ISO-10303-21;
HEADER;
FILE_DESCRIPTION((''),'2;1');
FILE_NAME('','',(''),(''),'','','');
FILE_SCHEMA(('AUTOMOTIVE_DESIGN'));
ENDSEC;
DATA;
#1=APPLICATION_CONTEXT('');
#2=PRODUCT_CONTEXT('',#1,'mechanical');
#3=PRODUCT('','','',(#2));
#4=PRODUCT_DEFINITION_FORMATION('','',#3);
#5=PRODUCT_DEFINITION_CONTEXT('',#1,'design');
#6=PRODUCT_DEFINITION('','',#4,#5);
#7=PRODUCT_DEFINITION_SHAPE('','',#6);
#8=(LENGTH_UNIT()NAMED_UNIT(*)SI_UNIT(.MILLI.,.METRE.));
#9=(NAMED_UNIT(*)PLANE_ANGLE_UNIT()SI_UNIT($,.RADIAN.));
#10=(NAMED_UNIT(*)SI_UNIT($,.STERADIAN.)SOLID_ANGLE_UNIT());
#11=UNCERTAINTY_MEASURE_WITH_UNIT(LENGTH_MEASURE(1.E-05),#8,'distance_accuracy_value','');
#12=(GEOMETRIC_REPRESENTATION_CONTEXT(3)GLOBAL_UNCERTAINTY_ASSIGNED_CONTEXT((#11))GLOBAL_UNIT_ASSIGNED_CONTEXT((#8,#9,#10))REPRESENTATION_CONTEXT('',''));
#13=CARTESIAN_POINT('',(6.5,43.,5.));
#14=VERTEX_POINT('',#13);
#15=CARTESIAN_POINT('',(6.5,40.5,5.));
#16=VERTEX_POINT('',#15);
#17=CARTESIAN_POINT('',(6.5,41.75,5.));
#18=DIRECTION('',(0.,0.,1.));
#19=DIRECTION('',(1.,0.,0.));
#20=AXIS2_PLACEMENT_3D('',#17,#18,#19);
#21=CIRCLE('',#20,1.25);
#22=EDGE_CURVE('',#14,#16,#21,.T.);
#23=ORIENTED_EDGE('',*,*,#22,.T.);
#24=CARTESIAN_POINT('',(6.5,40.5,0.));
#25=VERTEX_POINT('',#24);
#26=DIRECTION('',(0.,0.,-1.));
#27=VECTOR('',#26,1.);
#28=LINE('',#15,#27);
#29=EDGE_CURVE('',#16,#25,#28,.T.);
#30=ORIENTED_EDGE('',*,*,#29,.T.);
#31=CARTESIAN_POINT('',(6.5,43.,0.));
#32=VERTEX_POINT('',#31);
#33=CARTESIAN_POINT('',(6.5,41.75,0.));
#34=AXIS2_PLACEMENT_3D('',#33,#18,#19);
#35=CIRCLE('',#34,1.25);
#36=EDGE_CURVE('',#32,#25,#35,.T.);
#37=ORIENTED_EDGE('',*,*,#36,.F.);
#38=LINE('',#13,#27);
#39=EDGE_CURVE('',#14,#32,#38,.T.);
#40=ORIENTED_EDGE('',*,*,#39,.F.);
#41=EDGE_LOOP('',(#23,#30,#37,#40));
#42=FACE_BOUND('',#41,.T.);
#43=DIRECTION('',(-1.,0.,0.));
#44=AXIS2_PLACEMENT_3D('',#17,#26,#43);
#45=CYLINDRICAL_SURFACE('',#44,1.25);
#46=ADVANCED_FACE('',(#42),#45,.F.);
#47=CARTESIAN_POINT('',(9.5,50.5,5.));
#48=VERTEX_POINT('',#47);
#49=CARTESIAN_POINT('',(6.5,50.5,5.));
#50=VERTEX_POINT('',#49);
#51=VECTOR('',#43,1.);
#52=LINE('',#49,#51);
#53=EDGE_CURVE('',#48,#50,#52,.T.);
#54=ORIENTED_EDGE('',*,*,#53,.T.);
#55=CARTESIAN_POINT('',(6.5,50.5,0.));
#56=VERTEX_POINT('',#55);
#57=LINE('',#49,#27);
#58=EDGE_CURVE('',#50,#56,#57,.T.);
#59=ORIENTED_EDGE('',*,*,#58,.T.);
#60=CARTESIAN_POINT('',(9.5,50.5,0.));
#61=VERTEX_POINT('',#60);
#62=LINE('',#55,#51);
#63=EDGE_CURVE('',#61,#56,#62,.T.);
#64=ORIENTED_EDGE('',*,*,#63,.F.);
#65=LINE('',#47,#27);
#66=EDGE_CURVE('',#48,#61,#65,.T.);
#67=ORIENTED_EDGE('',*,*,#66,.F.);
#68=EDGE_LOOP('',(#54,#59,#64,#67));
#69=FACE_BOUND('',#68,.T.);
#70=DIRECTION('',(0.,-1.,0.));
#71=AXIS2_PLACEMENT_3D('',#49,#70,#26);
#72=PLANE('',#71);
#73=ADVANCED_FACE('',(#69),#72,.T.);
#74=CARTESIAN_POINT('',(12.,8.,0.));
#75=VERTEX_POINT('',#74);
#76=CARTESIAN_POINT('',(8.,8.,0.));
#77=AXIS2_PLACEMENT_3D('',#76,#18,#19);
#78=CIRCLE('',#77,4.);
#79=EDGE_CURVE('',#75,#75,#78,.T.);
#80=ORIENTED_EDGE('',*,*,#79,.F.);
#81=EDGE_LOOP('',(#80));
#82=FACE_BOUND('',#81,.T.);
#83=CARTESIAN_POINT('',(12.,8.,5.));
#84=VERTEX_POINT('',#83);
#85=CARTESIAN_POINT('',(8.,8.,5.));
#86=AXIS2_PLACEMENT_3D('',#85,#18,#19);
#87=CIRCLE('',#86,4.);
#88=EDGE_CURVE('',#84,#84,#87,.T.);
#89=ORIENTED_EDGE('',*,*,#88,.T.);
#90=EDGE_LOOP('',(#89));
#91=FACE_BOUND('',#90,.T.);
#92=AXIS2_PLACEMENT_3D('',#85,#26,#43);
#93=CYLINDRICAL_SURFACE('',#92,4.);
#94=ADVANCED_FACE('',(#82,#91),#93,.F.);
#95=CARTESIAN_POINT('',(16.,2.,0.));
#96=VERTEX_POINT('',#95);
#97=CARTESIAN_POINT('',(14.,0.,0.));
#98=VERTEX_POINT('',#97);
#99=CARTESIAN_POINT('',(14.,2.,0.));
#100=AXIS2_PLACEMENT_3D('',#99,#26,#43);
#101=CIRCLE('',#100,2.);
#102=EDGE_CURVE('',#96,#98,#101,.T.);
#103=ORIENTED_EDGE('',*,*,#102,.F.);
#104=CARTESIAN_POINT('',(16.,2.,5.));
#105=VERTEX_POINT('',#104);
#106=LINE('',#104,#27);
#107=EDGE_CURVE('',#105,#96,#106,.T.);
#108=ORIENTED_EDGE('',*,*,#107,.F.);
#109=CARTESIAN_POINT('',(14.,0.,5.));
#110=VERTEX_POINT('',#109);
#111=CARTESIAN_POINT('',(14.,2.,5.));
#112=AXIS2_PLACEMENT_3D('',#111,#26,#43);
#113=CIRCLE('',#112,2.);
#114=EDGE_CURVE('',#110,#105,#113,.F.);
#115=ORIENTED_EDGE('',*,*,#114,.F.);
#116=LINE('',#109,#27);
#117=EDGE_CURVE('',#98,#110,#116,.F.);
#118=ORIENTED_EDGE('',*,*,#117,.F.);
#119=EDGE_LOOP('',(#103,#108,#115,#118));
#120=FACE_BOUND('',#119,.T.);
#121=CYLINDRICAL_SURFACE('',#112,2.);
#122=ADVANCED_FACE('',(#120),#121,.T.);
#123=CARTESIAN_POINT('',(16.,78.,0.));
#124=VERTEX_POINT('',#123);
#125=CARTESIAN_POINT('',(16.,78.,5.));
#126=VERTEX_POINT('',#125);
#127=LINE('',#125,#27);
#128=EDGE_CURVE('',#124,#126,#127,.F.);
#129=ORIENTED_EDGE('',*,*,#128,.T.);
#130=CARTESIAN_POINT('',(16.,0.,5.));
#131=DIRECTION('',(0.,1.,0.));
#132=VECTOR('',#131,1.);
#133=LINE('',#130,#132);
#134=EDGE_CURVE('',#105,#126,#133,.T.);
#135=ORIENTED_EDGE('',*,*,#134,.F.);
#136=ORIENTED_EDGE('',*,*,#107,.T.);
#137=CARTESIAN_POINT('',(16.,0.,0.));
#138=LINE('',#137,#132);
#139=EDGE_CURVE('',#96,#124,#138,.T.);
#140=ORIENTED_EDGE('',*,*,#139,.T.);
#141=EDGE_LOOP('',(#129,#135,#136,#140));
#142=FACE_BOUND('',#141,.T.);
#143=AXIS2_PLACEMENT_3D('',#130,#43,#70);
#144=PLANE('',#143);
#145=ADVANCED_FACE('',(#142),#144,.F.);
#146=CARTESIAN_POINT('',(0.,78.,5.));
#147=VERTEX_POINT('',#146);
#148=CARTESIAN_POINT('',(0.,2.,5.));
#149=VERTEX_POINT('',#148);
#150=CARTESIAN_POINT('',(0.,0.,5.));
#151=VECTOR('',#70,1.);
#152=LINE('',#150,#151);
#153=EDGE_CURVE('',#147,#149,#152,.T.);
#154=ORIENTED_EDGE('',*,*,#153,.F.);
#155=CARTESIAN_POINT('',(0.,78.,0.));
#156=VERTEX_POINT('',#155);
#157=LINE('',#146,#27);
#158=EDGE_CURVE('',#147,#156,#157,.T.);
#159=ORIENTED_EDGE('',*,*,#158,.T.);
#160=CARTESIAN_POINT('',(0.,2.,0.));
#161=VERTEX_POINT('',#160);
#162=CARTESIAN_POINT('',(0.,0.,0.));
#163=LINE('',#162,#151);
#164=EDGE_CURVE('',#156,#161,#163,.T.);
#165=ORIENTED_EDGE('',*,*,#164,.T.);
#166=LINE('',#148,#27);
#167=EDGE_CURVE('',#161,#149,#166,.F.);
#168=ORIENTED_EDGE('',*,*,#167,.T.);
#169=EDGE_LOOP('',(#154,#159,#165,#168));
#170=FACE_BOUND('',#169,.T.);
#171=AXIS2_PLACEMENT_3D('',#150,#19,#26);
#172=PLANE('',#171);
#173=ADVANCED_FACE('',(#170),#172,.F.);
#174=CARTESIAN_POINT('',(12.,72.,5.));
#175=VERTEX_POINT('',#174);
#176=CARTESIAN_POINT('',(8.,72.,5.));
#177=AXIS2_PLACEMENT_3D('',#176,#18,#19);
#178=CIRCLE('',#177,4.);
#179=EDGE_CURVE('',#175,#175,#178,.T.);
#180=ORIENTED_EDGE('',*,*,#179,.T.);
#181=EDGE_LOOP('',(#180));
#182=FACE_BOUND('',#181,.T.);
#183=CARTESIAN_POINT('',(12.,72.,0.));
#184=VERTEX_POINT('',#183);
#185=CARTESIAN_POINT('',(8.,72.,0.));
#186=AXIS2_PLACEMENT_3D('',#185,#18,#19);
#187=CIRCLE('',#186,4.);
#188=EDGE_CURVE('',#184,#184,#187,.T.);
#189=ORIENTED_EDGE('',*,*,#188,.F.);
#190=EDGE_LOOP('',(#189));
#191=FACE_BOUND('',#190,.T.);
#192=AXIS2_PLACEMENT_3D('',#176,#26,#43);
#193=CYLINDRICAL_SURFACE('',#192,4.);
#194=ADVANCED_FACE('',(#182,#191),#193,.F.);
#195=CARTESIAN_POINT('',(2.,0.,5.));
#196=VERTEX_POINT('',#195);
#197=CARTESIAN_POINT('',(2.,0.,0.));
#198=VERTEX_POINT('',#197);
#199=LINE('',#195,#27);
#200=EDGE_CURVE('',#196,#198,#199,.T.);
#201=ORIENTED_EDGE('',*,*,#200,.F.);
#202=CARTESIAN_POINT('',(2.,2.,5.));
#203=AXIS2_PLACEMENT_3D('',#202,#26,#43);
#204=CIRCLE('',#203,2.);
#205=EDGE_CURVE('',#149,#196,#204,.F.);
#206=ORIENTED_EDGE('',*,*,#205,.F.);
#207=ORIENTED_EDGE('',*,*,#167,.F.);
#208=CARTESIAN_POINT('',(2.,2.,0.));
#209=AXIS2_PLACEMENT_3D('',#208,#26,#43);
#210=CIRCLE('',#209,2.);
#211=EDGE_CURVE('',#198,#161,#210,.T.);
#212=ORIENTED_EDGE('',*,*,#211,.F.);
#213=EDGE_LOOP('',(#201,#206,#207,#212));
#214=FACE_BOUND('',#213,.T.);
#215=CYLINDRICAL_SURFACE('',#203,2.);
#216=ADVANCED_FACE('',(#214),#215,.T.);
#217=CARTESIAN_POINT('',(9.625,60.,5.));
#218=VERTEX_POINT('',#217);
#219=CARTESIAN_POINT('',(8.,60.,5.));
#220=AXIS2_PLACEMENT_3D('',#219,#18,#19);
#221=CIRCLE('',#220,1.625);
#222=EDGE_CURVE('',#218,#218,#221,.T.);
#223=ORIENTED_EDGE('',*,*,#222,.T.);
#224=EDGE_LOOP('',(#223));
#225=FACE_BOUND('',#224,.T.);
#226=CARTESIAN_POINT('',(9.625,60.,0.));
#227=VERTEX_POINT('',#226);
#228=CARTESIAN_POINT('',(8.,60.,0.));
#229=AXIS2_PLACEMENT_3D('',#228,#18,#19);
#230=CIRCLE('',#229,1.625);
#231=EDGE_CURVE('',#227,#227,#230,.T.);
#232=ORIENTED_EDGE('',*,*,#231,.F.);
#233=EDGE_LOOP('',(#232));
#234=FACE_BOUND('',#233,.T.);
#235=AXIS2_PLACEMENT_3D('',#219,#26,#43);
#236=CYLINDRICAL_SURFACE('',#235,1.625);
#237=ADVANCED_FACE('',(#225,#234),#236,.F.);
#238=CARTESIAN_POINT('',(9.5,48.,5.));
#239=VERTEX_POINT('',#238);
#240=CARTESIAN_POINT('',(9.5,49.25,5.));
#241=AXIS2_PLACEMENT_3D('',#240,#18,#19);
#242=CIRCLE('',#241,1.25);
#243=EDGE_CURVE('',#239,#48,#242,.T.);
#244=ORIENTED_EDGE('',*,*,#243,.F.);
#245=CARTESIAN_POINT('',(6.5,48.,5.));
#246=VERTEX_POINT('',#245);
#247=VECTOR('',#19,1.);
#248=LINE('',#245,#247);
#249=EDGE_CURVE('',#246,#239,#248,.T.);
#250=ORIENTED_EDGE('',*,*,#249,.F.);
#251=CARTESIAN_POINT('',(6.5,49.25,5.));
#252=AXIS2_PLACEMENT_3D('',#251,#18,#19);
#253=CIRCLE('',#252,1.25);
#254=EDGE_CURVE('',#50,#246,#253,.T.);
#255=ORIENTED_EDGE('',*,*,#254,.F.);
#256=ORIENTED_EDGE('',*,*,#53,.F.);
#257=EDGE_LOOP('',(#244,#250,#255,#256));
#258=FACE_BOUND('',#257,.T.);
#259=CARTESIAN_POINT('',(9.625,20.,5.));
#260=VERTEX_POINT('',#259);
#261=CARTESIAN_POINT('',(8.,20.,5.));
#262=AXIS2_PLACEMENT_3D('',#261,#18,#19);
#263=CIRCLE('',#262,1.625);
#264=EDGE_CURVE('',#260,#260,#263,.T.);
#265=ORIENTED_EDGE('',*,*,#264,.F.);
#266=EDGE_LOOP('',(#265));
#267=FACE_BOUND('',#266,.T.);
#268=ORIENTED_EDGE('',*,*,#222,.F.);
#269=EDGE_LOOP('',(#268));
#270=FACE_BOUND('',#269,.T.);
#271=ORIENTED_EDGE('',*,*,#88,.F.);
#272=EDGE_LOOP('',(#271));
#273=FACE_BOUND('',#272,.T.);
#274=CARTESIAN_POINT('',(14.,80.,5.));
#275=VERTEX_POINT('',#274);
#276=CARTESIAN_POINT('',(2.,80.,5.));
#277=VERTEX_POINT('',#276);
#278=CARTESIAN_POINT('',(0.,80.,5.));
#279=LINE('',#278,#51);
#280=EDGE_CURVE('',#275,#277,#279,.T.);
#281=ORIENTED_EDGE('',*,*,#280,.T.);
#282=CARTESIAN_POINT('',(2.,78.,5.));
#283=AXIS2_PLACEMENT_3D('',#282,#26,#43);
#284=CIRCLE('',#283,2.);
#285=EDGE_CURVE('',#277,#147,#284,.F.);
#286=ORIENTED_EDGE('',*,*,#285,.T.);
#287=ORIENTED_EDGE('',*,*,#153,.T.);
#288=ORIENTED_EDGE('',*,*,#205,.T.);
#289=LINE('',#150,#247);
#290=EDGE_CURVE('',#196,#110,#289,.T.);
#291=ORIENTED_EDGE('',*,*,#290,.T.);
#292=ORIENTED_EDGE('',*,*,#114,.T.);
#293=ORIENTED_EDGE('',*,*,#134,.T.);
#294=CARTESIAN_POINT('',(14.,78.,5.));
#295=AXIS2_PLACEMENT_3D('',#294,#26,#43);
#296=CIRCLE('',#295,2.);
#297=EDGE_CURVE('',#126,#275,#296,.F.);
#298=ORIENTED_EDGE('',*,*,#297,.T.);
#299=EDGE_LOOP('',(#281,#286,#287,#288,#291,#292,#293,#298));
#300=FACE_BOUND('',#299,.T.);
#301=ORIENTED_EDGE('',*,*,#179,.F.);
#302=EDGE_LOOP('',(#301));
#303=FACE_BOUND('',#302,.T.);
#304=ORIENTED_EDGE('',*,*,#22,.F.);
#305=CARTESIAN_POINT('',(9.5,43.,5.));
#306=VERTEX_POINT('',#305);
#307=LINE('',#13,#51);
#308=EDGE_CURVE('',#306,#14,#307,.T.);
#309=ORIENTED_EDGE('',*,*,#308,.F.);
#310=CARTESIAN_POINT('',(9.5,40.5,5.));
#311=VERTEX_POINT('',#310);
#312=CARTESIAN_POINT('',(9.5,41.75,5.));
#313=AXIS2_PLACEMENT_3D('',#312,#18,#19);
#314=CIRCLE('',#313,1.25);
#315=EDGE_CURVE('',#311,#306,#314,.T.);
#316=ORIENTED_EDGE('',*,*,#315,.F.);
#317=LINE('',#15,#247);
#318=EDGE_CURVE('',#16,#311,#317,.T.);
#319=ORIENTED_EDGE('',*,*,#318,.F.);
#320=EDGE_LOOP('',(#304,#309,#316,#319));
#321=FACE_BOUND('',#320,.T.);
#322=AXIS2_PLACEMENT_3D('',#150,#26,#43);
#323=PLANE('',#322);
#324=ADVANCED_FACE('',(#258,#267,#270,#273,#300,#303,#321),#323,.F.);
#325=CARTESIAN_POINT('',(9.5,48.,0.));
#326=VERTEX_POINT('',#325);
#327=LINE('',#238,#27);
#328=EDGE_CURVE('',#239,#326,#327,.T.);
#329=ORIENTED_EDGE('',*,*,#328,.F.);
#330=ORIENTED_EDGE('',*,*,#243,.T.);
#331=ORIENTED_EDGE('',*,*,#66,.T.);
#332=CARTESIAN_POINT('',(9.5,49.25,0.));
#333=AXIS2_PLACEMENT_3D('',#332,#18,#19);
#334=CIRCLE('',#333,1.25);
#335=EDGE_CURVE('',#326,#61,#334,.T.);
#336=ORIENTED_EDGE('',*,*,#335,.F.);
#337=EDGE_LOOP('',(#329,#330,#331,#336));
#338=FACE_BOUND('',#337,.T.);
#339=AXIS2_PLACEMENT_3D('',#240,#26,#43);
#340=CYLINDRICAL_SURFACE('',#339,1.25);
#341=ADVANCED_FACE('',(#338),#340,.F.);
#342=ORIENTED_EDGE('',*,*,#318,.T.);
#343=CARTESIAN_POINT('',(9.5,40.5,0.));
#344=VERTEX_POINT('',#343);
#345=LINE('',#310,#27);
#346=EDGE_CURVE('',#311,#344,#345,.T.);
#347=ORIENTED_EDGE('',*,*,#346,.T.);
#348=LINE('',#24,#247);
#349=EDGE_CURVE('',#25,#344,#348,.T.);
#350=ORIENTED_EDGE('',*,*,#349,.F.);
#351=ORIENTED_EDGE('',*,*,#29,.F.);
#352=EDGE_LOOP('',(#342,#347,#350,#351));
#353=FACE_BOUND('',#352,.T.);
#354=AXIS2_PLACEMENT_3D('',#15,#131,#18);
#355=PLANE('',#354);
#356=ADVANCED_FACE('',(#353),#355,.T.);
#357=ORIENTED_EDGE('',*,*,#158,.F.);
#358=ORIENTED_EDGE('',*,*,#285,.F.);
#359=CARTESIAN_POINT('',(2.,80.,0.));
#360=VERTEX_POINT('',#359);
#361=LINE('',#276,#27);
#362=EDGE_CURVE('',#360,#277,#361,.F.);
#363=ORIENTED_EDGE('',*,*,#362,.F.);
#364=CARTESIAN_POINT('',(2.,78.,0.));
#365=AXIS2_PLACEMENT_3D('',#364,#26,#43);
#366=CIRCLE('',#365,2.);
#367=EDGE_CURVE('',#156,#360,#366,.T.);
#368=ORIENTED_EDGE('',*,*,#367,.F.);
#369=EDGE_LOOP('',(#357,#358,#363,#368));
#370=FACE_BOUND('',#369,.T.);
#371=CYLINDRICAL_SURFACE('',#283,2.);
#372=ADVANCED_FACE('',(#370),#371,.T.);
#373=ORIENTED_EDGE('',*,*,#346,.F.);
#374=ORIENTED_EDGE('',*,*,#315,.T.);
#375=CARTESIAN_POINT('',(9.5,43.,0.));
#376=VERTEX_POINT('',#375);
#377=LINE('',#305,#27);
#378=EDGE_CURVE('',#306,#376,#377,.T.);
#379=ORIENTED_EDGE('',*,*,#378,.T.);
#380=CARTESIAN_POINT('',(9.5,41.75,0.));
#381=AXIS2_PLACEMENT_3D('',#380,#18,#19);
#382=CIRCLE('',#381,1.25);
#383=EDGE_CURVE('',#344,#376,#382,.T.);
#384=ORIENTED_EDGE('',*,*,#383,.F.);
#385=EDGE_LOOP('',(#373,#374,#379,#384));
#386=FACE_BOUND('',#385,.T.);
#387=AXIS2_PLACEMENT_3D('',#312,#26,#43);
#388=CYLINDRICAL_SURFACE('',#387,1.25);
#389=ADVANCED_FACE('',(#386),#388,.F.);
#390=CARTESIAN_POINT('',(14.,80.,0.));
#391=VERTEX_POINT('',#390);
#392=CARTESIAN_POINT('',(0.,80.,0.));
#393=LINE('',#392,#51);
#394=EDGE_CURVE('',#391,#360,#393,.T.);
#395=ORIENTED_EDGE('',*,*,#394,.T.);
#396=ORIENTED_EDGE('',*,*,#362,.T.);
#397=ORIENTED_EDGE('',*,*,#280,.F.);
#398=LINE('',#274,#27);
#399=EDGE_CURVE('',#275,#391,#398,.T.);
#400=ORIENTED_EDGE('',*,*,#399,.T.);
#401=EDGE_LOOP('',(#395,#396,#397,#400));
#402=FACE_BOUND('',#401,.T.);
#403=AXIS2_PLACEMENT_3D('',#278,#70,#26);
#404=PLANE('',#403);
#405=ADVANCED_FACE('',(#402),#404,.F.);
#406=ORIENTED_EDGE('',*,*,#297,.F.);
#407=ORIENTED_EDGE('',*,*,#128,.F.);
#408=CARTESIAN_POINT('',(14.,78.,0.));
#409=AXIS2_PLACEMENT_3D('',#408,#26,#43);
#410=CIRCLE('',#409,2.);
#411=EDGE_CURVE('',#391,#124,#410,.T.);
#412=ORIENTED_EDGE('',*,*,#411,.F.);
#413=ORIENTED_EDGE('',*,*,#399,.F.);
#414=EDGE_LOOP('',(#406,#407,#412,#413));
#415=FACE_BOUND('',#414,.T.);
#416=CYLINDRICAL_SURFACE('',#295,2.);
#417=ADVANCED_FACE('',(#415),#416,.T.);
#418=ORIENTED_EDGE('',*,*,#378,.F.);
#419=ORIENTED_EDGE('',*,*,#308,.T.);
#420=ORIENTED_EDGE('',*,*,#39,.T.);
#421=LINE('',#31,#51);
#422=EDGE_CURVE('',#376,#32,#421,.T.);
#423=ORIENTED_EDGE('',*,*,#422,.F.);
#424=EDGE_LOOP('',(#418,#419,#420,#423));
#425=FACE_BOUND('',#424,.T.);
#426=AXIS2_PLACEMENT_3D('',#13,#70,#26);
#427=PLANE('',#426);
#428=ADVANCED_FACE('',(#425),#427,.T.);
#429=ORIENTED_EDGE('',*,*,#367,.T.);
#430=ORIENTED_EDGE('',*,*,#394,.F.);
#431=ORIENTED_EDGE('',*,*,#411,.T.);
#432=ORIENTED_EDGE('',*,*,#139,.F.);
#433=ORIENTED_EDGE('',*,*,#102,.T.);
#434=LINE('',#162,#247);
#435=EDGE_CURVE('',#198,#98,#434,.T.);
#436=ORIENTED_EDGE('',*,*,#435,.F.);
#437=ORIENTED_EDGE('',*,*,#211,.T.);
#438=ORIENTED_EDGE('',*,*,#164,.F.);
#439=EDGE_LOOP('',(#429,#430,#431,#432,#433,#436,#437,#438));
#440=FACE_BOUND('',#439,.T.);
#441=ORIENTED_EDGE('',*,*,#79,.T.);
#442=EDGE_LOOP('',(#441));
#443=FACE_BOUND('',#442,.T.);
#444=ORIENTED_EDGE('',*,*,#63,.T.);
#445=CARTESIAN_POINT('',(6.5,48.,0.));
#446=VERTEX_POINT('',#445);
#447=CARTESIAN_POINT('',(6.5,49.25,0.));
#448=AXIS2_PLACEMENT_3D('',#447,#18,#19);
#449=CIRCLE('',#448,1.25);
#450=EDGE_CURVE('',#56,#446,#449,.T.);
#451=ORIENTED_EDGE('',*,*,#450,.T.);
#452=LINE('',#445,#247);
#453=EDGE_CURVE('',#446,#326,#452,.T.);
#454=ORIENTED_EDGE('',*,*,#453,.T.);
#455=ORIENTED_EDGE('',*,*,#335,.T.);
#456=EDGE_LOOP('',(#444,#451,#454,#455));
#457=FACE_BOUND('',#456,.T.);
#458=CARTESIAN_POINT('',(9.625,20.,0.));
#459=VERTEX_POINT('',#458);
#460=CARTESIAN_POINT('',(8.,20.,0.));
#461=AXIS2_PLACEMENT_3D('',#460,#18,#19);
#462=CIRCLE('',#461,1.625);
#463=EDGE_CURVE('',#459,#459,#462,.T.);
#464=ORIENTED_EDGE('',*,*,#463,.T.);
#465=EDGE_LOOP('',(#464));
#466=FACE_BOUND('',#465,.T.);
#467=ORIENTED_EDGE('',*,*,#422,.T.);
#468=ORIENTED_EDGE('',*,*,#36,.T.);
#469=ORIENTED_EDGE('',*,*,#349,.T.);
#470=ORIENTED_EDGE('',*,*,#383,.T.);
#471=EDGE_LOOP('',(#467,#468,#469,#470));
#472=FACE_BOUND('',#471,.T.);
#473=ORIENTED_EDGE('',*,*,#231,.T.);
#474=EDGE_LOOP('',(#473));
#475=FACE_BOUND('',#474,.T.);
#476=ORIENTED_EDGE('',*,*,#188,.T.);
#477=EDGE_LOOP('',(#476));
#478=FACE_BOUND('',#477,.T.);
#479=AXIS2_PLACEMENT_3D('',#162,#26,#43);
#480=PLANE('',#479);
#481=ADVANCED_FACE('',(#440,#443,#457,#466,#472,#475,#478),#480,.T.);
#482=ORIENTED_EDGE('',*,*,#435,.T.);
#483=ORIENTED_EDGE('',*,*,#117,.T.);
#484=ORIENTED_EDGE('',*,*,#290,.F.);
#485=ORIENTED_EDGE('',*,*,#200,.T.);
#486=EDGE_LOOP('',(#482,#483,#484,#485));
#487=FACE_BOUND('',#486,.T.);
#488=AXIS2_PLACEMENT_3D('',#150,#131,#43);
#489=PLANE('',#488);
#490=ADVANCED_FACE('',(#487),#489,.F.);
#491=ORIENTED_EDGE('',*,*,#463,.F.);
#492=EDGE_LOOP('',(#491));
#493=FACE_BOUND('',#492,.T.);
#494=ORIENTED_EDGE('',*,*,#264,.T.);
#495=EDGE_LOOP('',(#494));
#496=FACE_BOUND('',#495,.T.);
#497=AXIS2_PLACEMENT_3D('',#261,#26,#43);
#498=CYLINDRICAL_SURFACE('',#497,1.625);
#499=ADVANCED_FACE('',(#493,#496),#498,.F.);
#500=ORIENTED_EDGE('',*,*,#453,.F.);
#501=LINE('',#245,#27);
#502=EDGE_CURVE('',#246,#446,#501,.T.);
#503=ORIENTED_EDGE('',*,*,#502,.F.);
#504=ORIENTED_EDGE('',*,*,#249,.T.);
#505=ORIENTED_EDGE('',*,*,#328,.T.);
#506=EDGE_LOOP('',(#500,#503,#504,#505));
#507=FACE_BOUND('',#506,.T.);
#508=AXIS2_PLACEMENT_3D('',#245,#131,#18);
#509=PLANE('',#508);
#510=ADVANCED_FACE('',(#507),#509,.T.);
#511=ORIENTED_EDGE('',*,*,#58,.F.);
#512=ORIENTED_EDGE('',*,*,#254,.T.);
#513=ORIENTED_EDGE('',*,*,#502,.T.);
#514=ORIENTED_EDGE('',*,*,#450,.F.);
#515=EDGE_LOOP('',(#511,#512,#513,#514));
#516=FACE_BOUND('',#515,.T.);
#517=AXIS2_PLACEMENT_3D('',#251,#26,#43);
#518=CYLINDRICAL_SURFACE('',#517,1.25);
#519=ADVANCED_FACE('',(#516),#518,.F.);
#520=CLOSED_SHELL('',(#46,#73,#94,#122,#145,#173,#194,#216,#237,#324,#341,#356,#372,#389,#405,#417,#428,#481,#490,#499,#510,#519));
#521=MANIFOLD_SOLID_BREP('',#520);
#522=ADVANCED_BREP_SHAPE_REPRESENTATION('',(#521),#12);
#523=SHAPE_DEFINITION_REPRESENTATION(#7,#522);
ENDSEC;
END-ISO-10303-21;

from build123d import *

# Parameters (mm, degrees)
SKETCH1_W           = 16
SKETCH1_H           = 80
SKETCH1_R           = 4
SKETCH1_R_2         = 1.625
BOSS_EXTRUDE1_DEPTH = 5
FILLET1_R           = 2


with BuildPart() as part:
    # Sketch1 → Boss-Extrude1 (new body)
    with BuildSketch(Plane.XY):
        with Locations((8, 40)):
            Rectangle(SKETCH1_W, SKETCH1_H)
        with Locations((8, 72)):
            Circle(SKETCH1_R, mode=Mode.SUBTRACT)
        with Locations((8, 8)):
            Circle(SKETCH1_R, mode=Mode.SUBTRACT)
        with Locations((8, 20)):
            Circle(SKETCH1_R_2, mode=Mode.SUBTRACT)
        with Locations((8, 60)):
            Circle(SKETCH1_R_2, mode=Mode.SUBTRACT)
        with BuildLine():
            Line((6.5, 50.5), (9.5, 50.5))
            ThreePointArc((9.5, 50.5), (10.75, 49.25), (9.5, 48))
            Line((9.5, 48), (6.5, 48))
            ThreePointArc((6.5, 48), (5.25, 49.25), (6.5, 50.5))
        make_face(mode=Mode.SUBTRACT)
        with BuildLine():
            Line((6.5, 43), (9.5, 43))
            ThreePointArc((9.5, 43), (10.75, 41.75), (9.5, 40.5))
            Line((9.5, 40.5), (6.5, 40.5))
            ThreePointArc((6.5, 40.5), (5.25, 41.75), (6.5, 43))
        make_face(mode=Mode.SUBTRACT)
    extrude(amount=BOSS_EXTRUDE1_DEPTH)

    # Fillet1
    fillet1_edges = [part.edges().sort_by_distance(p)[0] for p in [
        (0, 80, 2.5),
        (16, 80, 2.5),
        (16, 0, 2.5),
        (0, 0, 2.5),
    ]]
    fillet(fillet1_edges, radius=FILLET1_R)


solid = part.part
